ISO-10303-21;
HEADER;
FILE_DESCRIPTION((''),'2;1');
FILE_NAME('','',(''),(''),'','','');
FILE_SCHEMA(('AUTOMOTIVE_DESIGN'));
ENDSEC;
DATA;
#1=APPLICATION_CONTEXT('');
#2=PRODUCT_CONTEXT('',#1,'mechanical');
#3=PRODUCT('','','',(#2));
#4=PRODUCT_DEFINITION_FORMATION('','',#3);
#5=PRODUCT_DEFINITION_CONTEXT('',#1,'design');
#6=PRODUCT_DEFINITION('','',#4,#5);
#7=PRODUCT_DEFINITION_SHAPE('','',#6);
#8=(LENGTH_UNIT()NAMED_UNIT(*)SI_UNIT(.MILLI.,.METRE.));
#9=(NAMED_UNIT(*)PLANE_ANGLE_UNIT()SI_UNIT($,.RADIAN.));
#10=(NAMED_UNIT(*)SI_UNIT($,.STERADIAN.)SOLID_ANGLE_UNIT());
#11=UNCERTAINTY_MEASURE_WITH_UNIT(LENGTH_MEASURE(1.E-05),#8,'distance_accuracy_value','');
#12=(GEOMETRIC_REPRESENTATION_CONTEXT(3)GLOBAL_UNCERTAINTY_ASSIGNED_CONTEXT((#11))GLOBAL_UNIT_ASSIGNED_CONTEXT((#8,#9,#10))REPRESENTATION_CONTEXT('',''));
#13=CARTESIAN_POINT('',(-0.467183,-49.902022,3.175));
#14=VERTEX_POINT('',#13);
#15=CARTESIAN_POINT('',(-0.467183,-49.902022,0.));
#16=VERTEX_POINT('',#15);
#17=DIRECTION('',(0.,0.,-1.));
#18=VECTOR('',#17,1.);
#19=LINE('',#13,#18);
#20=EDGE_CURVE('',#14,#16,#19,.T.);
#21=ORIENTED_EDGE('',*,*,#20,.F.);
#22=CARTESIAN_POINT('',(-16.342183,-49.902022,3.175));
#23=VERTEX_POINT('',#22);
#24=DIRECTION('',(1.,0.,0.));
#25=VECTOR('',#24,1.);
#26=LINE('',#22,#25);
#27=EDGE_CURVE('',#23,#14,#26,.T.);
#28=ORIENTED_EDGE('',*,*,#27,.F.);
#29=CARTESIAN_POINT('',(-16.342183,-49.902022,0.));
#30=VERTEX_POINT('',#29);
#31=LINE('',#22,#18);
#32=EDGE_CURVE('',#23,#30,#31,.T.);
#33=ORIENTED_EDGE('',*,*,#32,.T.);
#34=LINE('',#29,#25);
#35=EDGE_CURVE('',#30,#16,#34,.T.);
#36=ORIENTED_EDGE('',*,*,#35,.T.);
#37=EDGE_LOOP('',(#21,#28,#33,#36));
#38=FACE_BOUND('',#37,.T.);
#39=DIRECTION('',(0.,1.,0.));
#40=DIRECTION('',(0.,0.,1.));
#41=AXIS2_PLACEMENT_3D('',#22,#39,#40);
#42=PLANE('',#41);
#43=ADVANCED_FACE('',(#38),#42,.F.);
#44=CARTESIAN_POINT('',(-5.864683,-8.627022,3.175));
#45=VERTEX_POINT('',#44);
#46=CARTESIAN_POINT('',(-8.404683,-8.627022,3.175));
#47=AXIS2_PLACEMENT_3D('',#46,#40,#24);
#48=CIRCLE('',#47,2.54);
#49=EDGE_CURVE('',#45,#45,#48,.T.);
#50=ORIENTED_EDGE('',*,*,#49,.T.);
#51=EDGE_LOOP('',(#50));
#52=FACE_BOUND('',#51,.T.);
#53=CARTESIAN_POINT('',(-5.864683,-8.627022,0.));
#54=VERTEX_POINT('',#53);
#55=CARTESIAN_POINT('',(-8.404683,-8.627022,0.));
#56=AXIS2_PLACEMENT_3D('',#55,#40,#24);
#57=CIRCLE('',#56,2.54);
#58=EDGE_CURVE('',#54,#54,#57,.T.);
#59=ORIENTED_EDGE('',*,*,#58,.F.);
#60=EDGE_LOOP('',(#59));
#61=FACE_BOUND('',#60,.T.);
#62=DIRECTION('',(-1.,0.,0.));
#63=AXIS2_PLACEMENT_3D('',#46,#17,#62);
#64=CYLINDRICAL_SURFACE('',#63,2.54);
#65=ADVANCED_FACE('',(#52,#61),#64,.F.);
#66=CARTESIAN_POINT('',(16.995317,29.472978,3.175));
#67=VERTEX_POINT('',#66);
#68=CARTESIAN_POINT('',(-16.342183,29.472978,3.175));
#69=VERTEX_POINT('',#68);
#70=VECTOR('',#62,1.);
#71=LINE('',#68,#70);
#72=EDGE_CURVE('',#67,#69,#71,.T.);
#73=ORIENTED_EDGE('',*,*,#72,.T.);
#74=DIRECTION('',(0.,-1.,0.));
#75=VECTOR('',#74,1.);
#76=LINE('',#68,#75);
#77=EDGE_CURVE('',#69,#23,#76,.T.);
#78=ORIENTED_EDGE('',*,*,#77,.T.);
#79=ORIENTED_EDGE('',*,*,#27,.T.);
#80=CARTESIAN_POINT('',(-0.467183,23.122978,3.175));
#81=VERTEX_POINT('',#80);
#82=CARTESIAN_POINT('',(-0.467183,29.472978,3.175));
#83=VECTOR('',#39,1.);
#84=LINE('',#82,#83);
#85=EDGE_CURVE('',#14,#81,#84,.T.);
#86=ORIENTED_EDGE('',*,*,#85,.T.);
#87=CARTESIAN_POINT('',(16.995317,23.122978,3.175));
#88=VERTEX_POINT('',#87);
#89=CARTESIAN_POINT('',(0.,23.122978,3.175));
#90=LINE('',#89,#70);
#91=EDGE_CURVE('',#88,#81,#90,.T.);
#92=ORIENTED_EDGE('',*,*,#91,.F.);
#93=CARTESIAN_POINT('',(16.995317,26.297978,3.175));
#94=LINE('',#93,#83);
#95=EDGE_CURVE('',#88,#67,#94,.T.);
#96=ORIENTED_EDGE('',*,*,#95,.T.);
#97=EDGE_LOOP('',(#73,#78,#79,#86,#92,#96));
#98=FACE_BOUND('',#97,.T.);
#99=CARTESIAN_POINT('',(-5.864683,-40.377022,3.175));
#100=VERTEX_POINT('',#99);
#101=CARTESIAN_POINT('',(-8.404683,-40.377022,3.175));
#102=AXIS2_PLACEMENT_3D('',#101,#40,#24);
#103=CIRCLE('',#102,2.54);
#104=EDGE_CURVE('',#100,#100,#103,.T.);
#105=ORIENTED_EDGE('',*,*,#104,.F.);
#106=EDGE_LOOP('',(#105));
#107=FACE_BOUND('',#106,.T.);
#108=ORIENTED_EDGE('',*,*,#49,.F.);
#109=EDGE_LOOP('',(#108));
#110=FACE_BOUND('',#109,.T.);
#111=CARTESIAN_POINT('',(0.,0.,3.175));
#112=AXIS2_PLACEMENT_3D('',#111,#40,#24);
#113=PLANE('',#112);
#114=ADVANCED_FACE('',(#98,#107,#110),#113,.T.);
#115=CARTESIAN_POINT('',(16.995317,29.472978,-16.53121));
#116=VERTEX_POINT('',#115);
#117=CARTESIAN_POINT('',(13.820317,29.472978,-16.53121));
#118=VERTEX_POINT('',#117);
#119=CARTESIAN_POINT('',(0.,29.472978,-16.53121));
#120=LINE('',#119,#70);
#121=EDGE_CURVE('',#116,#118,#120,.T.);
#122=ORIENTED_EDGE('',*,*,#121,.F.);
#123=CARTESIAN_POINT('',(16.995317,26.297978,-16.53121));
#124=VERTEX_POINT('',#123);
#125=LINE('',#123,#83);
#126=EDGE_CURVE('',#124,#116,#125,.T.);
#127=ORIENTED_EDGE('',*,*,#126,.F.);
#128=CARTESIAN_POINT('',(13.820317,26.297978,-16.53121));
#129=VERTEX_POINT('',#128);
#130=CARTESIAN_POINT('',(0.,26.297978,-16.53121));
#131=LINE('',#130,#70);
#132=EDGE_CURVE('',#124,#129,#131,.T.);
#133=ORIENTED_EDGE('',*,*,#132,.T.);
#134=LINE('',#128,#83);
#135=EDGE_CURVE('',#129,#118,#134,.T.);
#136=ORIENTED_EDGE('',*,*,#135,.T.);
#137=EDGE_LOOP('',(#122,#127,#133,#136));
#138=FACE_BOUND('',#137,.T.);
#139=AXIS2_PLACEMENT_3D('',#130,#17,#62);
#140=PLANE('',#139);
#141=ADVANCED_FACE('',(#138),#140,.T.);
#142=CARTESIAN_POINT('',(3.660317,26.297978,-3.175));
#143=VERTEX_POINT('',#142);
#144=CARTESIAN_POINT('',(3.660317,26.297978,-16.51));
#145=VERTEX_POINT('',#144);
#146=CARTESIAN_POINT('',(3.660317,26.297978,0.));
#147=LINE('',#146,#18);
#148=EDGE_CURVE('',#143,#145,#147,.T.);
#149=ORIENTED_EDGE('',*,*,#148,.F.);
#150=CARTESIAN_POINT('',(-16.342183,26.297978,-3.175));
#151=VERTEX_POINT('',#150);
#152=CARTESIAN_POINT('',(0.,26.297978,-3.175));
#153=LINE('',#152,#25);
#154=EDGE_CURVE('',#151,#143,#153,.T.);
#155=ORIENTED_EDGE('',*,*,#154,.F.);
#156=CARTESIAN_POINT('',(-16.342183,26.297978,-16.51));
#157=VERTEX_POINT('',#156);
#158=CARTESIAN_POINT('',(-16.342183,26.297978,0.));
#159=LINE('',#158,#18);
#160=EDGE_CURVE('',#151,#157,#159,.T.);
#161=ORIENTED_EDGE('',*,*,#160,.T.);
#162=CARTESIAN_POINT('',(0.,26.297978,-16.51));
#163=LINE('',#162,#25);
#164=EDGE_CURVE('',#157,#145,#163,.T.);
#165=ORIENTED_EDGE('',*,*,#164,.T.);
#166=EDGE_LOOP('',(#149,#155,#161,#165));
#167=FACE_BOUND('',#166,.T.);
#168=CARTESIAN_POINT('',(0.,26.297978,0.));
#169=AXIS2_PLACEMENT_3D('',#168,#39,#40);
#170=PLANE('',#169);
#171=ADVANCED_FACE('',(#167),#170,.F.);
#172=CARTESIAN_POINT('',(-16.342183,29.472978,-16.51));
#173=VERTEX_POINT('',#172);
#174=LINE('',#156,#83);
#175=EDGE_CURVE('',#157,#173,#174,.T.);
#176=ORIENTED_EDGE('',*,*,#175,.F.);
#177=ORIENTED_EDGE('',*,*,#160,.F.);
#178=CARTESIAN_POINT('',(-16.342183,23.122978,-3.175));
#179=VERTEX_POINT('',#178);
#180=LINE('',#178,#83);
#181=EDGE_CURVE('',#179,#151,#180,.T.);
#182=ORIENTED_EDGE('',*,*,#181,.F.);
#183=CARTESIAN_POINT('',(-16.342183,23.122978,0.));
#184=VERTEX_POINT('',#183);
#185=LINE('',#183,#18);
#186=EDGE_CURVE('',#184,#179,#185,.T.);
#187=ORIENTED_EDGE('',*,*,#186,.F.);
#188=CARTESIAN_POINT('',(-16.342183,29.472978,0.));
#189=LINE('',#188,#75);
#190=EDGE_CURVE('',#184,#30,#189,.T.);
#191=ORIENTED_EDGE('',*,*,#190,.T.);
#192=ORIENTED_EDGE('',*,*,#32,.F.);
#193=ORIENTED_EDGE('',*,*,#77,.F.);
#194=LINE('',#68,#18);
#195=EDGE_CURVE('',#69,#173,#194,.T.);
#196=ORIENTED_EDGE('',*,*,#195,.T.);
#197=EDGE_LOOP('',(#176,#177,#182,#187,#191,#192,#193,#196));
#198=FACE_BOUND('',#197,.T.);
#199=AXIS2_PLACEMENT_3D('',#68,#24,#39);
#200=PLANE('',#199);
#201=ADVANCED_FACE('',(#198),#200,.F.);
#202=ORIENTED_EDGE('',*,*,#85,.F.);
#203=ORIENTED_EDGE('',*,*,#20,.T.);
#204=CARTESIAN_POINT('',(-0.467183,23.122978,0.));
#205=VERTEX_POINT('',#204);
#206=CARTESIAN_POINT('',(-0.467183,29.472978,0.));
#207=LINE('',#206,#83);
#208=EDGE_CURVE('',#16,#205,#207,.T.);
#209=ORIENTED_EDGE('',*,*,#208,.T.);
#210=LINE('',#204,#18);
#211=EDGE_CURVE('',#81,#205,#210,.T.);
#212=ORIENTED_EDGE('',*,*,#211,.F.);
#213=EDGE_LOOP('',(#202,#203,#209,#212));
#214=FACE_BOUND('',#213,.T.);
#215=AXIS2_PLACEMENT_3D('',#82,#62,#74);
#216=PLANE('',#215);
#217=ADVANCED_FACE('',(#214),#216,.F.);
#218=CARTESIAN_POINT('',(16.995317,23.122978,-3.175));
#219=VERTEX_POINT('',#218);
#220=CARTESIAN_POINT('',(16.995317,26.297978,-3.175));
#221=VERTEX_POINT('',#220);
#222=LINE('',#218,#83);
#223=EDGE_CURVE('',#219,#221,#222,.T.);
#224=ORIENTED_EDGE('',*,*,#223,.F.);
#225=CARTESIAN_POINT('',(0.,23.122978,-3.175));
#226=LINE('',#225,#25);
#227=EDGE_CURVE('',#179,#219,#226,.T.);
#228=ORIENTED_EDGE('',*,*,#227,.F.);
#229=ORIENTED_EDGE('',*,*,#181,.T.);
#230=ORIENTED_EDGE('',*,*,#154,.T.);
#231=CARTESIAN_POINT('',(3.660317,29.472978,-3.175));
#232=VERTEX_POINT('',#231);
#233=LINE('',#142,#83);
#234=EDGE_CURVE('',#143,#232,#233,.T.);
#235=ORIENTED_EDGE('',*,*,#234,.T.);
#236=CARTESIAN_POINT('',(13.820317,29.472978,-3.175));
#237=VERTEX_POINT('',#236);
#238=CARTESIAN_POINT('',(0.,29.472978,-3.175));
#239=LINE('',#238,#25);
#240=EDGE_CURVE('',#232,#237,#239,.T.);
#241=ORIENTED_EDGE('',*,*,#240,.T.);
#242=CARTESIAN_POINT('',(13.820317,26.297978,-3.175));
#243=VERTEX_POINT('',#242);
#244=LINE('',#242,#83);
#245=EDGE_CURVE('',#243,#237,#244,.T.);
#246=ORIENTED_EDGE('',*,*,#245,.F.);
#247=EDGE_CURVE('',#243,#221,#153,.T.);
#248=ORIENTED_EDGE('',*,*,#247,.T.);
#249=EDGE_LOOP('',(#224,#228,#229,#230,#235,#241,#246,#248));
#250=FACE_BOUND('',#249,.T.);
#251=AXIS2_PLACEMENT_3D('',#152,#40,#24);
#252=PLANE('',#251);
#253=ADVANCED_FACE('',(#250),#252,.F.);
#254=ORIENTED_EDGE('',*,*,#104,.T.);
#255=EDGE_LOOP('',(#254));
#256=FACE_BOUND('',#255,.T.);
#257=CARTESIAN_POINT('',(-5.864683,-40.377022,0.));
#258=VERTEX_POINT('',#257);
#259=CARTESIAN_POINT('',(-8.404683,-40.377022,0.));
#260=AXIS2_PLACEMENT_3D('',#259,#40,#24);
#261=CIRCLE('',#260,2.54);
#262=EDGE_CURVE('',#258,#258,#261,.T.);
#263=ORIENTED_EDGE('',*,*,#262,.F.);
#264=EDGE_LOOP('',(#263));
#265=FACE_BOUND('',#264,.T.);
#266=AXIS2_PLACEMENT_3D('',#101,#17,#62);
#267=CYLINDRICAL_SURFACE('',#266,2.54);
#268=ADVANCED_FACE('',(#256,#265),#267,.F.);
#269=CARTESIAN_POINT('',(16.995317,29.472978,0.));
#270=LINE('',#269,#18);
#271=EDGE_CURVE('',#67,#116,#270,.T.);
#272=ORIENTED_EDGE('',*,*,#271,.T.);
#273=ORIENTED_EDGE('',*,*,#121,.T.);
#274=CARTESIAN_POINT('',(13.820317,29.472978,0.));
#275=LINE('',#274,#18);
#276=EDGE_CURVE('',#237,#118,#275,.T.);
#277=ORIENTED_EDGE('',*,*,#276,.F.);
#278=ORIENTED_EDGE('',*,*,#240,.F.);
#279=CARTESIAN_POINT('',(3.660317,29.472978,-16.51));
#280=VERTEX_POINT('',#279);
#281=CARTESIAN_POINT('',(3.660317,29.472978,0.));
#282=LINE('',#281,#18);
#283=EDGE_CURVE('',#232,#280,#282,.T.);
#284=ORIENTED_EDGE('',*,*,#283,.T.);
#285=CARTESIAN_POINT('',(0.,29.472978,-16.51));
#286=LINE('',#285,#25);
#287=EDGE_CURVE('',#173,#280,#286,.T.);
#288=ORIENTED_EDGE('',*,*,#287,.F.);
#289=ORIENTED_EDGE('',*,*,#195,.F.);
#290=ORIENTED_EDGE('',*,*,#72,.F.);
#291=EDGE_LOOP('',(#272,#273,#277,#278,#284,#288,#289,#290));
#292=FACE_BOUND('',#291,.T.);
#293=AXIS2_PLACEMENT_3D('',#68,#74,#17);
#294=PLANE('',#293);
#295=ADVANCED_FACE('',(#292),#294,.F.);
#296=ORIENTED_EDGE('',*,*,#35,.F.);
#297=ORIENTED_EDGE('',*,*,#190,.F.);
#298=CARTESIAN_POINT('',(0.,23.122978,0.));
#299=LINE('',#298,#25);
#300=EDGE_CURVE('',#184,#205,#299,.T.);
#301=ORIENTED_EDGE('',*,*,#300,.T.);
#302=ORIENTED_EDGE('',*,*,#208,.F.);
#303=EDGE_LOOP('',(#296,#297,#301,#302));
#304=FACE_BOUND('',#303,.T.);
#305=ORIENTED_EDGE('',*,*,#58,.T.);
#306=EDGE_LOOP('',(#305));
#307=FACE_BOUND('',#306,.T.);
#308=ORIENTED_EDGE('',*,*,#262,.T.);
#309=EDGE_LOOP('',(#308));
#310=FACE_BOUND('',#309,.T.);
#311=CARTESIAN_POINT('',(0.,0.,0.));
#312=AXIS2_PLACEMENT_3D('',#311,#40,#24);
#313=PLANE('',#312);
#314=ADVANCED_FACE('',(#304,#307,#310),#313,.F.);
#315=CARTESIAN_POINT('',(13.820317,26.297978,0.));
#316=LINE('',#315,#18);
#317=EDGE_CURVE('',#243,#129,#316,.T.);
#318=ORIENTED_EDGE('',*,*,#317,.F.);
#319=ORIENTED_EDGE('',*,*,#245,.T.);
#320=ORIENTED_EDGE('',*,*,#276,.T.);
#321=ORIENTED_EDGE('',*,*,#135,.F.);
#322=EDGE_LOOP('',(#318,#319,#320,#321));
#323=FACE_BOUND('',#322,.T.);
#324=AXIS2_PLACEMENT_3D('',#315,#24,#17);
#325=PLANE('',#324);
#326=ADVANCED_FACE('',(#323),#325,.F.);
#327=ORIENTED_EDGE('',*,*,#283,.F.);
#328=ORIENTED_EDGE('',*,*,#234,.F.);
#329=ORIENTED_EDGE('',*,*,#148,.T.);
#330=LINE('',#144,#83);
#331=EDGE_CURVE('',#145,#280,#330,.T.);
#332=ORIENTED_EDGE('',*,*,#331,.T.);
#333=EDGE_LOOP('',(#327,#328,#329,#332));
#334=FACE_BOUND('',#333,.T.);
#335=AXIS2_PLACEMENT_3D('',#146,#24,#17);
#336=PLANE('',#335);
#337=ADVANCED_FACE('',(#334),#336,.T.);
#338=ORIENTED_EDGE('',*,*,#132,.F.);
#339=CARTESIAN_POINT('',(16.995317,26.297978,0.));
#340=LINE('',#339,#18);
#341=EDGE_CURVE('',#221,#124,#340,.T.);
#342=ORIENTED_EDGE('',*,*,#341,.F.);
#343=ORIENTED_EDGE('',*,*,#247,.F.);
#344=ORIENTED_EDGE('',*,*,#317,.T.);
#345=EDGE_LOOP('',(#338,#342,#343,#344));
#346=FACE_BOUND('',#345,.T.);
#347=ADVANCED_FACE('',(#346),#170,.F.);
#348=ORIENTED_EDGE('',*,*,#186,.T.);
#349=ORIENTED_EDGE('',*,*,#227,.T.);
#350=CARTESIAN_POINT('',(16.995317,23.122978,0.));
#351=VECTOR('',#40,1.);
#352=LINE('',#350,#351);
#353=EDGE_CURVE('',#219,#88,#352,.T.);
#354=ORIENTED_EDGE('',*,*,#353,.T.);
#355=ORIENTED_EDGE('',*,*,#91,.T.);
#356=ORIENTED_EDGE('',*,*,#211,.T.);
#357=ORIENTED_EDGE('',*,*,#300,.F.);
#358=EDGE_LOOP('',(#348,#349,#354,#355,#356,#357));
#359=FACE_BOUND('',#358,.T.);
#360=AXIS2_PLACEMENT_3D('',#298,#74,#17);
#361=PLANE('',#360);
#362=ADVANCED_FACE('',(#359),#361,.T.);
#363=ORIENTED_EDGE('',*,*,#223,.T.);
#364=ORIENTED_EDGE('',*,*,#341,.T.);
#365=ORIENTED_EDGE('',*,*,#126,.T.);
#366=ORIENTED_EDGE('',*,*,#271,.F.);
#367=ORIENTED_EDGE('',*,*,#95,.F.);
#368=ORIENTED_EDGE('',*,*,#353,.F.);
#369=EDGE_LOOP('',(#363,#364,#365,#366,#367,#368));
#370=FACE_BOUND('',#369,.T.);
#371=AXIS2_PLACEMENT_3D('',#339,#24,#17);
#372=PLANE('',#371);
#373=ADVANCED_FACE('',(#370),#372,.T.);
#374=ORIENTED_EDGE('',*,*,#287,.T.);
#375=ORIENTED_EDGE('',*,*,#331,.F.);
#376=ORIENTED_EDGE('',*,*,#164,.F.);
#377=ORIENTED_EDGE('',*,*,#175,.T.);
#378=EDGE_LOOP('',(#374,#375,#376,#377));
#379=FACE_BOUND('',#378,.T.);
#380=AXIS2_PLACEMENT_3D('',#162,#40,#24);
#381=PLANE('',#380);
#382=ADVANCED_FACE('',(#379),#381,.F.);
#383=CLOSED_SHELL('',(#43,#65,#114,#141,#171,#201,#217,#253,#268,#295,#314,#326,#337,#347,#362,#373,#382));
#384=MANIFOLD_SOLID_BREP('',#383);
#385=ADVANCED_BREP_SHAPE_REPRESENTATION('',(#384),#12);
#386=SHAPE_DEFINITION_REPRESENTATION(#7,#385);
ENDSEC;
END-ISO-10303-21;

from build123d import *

# Parameters (mm, degrees)
SKETCH1_W           = 15.875
SKETCH1_H           = 79.375
SKETCH1_R           = 2.54
BOSS_EXTRUDE1_DEPTH = 3.175
BOSS_EXTRUDE2_DEPTH = 3.175
SKETCH3_W           = 17.4625
SKETCH3_H           = 3.175
BOSS_EXTRUDE3_DEPTH = 3.175


with BuildPart() as part:
    # Sketch1 → Boss-Extrude1 (new body)
    with BuildSketch(Plane.XY):
        with Locations((-8.404682644, -10.214522003)):
            Rectangle(SKETCH1_W, SKETCH1_H)
        with Locations((-8.404682644, -8.627022003)):
            Circle(SKETCH1_R, mode=Mode.SUBTRACT)
        with Locations((-8.404682644, -40.377022003)):
            Circle(SKETCH1_R, mode=Mode.SUBTRACT)
    extrude(amount=BOSS_EXTRUDE1_DEPTH)

    # Sketch2 → Boss-Extrude2 (add)
    with BuildSketch(Plane(origin=(0, 29.472977997, 0), x_dir=(1, 0, 0), z_dir=(0, 1, 0))):
        Polygon((-0.467182644, 0), (3.660317356, 0), (3.660317356, 3.175), (3.660317356, 16.51), (-16.342182644, 16.51), (-16.342182644, 0), align=None)
        Polygon((16.995317356, 0), (3.660317356, 0), (-0.467182644, 0), (-0.467182644, -3.175), (16.995317356, -3.175), align=None)
        Polygon((3.660317356, 3.175), (3.660317356, 0), (16.995317356, 0), (16.995317356, 16.531210472), (13.820317356, 16.531210472), (13.820317356, 3.175), align=None)
    extrude(amount=-BOSS_EXTRUDE2_DEPTH)

    # Sketch3 → Boss-Extrude3 (add)
    with BuildSketch(Plane.XZ.offset(-26.297977997)):
        Polygon((-0.467182644, 0), (-16.342182644, 0), (-16.342182644, -3.175), (3.660317356, -3.175), (13.820317356, -3.175), (16.995317356, -3.175), (16.995317356, 0), align=None)
        with Locations((8.264067356, 1.5875)):
            Rectangle(SKETCH3_W, SKETCH3_H)
    extrude(amount=BOSS_EXTRUDE3_DEPTH)


solid = part.part
